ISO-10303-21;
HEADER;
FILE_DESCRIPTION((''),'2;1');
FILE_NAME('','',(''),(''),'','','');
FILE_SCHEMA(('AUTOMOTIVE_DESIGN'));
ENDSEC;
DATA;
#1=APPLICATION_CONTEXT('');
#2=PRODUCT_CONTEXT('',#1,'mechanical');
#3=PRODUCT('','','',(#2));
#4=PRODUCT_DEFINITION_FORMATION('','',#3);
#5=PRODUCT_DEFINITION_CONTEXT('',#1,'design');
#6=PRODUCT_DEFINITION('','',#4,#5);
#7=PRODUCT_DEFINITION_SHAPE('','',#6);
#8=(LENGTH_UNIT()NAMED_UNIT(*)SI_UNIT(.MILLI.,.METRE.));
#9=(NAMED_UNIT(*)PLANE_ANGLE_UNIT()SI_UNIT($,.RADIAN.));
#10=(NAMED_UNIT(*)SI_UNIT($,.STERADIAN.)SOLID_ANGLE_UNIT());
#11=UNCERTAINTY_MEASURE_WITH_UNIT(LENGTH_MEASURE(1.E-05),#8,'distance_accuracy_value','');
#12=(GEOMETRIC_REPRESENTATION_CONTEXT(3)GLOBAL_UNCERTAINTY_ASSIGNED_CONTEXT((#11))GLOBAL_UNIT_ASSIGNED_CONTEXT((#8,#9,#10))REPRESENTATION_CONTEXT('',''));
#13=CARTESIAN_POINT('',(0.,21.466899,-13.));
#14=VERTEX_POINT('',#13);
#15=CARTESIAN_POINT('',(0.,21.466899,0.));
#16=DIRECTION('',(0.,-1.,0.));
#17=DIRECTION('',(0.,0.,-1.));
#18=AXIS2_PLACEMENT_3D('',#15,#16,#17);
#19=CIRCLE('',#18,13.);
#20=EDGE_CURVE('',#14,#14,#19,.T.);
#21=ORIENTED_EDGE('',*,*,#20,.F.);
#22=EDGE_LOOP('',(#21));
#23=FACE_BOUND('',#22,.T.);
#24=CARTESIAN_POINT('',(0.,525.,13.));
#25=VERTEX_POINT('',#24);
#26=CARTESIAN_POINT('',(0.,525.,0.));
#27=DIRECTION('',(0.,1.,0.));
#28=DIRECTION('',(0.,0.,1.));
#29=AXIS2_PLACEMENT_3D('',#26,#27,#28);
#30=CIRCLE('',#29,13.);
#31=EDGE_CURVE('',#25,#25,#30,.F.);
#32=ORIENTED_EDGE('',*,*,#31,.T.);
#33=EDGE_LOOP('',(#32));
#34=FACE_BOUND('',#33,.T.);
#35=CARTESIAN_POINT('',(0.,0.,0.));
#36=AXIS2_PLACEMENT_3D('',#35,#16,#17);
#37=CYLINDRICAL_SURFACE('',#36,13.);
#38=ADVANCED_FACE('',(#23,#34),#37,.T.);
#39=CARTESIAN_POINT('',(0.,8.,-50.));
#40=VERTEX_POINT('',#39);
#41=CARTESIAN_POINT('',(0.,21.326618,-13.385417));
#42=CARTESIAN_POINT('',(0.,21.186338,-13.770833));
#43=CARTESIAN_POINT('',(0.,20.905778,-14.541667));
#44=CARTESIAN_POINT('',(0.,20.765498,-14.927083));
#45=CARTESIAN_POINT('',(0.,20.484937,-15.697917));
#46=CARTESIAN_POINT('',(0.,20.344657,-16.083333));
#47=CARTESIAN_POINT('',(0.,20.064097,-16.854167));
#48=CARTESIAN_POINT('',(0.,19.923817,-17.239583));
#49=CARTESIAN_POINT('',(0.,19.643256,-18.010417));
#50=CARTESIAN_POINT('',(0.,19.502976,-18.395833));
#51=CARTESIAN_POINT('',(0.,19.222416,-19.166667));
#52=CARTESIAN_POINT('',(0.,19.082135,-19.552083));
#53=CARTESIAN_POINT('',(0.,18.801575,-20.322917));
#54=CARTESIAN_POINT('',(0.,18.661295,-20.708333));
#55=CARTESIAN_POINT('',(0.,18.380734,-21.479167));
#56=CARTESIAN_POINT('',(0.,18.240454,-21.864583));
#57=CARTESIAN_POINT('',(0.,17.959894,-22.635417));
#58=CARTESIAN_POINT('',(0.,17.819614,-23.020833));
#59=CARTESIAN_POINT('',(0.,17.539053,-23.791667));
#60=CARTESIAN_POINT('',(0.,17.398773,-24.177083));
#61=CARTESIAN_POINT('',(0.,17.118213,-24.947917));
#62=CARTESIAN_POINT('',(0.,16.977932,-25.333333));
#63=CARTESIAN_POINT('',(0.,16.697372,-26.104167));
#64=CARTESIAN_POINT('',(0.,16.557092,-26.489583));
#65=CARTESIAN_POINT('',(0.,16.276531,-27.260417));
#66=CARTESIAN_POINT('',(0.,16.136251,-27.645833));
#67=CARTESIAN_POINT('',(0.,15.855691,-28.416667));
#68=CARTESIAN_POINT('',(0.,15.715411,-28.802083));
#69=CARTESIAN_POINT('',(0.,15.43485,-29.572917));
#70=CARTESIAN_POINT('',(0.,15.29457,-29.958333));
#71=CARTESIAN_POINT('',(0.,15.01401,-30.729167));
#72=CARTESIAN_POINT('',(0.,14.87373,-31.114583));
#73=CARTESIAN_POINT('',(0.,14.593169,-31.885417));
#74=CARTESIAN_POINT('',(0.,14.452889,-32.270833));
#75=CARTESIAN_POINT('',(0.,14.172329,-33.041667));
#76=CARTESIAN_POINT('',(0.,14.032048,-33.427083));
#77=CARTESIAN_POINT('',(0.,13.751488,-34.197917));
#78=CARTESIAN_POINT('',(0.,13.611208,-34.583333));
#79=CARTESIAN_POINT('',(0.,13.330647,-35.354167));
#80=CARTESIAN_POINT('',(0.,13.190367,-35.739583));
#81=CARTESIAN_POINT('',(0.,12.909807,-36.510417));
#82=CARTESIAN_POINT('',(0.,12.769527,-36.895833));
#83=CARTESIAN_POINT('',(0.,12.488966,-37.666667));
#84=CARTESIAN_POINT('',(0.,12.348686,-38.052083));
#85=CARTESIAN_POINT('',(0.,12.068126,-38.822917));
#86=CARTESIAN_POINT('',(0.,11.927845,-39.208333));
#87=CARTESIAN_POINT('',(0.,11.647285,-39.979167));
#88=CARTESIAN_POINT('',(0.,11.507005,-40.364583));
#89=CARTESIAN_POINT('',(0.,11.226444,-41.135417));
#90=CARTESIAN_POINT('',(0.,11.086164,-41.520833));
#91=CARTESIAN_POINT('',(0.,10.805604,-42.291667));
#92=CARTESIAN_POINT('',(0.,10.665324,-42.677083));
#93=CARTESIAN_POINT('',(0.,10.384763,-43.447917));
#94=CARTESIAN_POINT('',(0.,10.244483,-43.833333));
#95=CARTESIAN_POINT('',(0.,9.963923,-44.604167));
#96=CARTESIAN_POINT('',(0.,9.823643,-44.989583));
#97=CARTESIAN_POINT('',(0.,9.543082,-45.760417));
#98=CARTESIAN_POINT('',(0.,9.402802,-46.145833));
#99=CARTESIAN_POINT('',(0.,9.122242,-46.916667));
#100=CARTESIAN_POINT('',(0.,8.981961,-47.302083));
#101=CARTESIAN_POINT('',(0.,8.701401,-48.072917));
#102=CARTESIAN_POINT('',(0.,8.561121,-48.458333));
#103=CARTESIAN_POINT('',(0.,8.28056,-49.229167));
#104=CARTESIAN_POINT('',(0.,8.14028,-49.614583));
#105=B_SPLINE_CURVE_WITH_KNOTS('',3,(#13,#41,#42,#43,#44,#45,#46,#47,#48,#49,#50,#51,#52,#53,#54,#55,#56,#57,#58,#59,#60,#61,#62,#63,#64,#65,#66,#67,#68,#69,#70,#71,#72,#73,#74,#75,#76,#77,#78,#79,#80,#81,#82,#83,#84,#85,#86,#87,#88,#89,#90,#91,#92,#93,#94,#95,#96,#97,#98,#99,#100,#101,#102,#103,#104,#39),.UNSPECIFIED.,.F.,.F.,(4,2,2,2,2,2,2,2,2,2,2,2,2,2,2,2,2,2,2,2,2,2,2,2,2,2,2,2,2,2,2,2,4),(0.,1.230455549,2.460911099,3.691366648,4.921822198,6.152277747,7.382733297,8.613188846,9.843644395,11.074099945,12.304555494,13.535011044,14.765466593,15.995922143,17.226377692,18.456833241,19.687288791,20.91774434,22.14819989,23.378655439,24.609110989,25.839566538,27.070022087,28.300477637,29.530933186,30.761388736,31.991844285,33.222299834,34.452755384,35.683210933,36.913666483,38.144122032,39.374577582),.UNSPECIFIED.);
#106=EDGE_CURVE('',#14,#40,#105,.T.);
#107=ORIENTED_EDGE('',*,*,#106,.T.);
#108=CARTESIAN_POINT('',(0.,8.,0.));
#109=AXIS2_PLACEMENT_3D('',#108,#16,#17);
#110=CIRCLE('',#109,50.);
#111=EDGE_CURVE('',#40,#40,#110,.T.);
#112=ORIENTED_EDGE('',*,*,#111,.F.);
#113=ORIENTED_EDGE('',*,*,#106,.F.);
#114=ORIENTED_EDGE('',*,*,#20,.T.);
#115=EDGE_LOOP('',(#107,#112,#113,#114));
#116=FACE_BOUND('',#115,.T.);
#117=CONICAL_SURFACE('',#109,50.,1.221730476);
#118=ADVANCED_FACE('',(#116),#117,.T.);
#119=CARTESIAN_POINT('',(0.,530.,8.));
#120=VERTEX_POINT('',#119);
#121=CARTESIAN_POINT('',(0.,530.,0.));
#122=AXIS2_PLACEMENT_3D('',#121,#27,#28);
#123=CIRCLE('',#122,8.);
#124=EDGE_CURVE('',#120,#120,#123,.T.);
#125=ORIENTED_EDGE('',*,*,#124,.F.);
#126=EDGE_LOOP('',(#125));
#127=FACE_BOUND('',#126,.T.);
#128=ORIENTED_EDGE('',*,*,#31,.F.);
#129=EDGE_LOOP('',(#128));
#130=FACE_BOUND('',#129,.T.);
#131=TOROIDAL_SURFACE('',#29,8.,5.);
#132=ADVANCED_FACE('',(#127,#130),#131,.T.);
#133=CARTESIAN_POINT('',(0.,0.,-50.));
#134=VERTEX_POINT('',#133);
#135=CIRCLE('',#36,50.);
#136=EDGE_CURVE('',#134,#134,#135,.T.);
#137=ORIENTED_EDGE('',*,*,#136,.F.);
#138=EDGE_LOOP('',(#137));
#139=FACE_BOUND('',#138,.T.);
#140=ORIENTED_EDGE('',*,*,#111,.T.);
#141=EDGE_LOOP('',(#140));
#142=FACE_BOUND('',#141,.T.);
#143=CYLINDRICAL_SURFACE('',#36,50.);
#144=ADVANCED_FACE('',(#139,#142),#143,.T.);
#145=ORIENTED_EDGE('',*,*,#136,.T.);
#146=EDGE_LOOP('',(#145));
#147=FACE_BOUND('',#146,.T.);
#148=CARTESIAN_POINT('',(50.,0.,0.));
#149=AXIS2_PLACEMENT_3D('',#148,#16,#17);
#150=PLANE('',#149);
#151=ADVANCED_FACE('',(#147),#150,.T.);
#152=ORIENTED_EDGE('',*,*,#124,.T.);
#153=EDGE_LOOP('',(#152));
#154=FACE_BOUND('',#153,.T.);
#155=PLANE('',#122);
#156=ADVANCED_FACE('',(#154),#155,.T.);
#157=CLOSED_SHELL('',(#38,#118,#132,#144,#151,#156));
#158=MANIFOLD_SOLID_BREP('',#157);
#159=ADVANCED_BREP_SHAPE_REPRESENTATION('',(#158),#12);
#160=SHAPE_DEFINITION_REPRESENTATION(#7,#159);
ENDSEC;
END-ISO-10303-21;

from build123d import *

# Parameters (mm, degrees)
CONG_1_R = 5


with BuildPart() as part:
    # Esquisse2 → Révolution1 (revolve)
    with BuildSketch(Plane.XY, mode=Mode.PRIVATE) as r_volution1_sk:
        Polygon((0, 0), (0, 530), (13, 530), (13, 21.466898668), (50, 8), (50, 0), align=None)
    revolve(r_volution1_sk.sketch.rotate(Axis((0, 0, 0), (0, 1, 0)), 90), axis=Axis((0, 0, 0), (0, 1, 0)))

    # Congé1
    cong_1_edges = [part.edges().sort_by_distance(p)[0] for p in [
        (0, 530, 13),
    ]]
    fillet(cong_1_edges, radius=CONG_1_R)


solid = part.part
